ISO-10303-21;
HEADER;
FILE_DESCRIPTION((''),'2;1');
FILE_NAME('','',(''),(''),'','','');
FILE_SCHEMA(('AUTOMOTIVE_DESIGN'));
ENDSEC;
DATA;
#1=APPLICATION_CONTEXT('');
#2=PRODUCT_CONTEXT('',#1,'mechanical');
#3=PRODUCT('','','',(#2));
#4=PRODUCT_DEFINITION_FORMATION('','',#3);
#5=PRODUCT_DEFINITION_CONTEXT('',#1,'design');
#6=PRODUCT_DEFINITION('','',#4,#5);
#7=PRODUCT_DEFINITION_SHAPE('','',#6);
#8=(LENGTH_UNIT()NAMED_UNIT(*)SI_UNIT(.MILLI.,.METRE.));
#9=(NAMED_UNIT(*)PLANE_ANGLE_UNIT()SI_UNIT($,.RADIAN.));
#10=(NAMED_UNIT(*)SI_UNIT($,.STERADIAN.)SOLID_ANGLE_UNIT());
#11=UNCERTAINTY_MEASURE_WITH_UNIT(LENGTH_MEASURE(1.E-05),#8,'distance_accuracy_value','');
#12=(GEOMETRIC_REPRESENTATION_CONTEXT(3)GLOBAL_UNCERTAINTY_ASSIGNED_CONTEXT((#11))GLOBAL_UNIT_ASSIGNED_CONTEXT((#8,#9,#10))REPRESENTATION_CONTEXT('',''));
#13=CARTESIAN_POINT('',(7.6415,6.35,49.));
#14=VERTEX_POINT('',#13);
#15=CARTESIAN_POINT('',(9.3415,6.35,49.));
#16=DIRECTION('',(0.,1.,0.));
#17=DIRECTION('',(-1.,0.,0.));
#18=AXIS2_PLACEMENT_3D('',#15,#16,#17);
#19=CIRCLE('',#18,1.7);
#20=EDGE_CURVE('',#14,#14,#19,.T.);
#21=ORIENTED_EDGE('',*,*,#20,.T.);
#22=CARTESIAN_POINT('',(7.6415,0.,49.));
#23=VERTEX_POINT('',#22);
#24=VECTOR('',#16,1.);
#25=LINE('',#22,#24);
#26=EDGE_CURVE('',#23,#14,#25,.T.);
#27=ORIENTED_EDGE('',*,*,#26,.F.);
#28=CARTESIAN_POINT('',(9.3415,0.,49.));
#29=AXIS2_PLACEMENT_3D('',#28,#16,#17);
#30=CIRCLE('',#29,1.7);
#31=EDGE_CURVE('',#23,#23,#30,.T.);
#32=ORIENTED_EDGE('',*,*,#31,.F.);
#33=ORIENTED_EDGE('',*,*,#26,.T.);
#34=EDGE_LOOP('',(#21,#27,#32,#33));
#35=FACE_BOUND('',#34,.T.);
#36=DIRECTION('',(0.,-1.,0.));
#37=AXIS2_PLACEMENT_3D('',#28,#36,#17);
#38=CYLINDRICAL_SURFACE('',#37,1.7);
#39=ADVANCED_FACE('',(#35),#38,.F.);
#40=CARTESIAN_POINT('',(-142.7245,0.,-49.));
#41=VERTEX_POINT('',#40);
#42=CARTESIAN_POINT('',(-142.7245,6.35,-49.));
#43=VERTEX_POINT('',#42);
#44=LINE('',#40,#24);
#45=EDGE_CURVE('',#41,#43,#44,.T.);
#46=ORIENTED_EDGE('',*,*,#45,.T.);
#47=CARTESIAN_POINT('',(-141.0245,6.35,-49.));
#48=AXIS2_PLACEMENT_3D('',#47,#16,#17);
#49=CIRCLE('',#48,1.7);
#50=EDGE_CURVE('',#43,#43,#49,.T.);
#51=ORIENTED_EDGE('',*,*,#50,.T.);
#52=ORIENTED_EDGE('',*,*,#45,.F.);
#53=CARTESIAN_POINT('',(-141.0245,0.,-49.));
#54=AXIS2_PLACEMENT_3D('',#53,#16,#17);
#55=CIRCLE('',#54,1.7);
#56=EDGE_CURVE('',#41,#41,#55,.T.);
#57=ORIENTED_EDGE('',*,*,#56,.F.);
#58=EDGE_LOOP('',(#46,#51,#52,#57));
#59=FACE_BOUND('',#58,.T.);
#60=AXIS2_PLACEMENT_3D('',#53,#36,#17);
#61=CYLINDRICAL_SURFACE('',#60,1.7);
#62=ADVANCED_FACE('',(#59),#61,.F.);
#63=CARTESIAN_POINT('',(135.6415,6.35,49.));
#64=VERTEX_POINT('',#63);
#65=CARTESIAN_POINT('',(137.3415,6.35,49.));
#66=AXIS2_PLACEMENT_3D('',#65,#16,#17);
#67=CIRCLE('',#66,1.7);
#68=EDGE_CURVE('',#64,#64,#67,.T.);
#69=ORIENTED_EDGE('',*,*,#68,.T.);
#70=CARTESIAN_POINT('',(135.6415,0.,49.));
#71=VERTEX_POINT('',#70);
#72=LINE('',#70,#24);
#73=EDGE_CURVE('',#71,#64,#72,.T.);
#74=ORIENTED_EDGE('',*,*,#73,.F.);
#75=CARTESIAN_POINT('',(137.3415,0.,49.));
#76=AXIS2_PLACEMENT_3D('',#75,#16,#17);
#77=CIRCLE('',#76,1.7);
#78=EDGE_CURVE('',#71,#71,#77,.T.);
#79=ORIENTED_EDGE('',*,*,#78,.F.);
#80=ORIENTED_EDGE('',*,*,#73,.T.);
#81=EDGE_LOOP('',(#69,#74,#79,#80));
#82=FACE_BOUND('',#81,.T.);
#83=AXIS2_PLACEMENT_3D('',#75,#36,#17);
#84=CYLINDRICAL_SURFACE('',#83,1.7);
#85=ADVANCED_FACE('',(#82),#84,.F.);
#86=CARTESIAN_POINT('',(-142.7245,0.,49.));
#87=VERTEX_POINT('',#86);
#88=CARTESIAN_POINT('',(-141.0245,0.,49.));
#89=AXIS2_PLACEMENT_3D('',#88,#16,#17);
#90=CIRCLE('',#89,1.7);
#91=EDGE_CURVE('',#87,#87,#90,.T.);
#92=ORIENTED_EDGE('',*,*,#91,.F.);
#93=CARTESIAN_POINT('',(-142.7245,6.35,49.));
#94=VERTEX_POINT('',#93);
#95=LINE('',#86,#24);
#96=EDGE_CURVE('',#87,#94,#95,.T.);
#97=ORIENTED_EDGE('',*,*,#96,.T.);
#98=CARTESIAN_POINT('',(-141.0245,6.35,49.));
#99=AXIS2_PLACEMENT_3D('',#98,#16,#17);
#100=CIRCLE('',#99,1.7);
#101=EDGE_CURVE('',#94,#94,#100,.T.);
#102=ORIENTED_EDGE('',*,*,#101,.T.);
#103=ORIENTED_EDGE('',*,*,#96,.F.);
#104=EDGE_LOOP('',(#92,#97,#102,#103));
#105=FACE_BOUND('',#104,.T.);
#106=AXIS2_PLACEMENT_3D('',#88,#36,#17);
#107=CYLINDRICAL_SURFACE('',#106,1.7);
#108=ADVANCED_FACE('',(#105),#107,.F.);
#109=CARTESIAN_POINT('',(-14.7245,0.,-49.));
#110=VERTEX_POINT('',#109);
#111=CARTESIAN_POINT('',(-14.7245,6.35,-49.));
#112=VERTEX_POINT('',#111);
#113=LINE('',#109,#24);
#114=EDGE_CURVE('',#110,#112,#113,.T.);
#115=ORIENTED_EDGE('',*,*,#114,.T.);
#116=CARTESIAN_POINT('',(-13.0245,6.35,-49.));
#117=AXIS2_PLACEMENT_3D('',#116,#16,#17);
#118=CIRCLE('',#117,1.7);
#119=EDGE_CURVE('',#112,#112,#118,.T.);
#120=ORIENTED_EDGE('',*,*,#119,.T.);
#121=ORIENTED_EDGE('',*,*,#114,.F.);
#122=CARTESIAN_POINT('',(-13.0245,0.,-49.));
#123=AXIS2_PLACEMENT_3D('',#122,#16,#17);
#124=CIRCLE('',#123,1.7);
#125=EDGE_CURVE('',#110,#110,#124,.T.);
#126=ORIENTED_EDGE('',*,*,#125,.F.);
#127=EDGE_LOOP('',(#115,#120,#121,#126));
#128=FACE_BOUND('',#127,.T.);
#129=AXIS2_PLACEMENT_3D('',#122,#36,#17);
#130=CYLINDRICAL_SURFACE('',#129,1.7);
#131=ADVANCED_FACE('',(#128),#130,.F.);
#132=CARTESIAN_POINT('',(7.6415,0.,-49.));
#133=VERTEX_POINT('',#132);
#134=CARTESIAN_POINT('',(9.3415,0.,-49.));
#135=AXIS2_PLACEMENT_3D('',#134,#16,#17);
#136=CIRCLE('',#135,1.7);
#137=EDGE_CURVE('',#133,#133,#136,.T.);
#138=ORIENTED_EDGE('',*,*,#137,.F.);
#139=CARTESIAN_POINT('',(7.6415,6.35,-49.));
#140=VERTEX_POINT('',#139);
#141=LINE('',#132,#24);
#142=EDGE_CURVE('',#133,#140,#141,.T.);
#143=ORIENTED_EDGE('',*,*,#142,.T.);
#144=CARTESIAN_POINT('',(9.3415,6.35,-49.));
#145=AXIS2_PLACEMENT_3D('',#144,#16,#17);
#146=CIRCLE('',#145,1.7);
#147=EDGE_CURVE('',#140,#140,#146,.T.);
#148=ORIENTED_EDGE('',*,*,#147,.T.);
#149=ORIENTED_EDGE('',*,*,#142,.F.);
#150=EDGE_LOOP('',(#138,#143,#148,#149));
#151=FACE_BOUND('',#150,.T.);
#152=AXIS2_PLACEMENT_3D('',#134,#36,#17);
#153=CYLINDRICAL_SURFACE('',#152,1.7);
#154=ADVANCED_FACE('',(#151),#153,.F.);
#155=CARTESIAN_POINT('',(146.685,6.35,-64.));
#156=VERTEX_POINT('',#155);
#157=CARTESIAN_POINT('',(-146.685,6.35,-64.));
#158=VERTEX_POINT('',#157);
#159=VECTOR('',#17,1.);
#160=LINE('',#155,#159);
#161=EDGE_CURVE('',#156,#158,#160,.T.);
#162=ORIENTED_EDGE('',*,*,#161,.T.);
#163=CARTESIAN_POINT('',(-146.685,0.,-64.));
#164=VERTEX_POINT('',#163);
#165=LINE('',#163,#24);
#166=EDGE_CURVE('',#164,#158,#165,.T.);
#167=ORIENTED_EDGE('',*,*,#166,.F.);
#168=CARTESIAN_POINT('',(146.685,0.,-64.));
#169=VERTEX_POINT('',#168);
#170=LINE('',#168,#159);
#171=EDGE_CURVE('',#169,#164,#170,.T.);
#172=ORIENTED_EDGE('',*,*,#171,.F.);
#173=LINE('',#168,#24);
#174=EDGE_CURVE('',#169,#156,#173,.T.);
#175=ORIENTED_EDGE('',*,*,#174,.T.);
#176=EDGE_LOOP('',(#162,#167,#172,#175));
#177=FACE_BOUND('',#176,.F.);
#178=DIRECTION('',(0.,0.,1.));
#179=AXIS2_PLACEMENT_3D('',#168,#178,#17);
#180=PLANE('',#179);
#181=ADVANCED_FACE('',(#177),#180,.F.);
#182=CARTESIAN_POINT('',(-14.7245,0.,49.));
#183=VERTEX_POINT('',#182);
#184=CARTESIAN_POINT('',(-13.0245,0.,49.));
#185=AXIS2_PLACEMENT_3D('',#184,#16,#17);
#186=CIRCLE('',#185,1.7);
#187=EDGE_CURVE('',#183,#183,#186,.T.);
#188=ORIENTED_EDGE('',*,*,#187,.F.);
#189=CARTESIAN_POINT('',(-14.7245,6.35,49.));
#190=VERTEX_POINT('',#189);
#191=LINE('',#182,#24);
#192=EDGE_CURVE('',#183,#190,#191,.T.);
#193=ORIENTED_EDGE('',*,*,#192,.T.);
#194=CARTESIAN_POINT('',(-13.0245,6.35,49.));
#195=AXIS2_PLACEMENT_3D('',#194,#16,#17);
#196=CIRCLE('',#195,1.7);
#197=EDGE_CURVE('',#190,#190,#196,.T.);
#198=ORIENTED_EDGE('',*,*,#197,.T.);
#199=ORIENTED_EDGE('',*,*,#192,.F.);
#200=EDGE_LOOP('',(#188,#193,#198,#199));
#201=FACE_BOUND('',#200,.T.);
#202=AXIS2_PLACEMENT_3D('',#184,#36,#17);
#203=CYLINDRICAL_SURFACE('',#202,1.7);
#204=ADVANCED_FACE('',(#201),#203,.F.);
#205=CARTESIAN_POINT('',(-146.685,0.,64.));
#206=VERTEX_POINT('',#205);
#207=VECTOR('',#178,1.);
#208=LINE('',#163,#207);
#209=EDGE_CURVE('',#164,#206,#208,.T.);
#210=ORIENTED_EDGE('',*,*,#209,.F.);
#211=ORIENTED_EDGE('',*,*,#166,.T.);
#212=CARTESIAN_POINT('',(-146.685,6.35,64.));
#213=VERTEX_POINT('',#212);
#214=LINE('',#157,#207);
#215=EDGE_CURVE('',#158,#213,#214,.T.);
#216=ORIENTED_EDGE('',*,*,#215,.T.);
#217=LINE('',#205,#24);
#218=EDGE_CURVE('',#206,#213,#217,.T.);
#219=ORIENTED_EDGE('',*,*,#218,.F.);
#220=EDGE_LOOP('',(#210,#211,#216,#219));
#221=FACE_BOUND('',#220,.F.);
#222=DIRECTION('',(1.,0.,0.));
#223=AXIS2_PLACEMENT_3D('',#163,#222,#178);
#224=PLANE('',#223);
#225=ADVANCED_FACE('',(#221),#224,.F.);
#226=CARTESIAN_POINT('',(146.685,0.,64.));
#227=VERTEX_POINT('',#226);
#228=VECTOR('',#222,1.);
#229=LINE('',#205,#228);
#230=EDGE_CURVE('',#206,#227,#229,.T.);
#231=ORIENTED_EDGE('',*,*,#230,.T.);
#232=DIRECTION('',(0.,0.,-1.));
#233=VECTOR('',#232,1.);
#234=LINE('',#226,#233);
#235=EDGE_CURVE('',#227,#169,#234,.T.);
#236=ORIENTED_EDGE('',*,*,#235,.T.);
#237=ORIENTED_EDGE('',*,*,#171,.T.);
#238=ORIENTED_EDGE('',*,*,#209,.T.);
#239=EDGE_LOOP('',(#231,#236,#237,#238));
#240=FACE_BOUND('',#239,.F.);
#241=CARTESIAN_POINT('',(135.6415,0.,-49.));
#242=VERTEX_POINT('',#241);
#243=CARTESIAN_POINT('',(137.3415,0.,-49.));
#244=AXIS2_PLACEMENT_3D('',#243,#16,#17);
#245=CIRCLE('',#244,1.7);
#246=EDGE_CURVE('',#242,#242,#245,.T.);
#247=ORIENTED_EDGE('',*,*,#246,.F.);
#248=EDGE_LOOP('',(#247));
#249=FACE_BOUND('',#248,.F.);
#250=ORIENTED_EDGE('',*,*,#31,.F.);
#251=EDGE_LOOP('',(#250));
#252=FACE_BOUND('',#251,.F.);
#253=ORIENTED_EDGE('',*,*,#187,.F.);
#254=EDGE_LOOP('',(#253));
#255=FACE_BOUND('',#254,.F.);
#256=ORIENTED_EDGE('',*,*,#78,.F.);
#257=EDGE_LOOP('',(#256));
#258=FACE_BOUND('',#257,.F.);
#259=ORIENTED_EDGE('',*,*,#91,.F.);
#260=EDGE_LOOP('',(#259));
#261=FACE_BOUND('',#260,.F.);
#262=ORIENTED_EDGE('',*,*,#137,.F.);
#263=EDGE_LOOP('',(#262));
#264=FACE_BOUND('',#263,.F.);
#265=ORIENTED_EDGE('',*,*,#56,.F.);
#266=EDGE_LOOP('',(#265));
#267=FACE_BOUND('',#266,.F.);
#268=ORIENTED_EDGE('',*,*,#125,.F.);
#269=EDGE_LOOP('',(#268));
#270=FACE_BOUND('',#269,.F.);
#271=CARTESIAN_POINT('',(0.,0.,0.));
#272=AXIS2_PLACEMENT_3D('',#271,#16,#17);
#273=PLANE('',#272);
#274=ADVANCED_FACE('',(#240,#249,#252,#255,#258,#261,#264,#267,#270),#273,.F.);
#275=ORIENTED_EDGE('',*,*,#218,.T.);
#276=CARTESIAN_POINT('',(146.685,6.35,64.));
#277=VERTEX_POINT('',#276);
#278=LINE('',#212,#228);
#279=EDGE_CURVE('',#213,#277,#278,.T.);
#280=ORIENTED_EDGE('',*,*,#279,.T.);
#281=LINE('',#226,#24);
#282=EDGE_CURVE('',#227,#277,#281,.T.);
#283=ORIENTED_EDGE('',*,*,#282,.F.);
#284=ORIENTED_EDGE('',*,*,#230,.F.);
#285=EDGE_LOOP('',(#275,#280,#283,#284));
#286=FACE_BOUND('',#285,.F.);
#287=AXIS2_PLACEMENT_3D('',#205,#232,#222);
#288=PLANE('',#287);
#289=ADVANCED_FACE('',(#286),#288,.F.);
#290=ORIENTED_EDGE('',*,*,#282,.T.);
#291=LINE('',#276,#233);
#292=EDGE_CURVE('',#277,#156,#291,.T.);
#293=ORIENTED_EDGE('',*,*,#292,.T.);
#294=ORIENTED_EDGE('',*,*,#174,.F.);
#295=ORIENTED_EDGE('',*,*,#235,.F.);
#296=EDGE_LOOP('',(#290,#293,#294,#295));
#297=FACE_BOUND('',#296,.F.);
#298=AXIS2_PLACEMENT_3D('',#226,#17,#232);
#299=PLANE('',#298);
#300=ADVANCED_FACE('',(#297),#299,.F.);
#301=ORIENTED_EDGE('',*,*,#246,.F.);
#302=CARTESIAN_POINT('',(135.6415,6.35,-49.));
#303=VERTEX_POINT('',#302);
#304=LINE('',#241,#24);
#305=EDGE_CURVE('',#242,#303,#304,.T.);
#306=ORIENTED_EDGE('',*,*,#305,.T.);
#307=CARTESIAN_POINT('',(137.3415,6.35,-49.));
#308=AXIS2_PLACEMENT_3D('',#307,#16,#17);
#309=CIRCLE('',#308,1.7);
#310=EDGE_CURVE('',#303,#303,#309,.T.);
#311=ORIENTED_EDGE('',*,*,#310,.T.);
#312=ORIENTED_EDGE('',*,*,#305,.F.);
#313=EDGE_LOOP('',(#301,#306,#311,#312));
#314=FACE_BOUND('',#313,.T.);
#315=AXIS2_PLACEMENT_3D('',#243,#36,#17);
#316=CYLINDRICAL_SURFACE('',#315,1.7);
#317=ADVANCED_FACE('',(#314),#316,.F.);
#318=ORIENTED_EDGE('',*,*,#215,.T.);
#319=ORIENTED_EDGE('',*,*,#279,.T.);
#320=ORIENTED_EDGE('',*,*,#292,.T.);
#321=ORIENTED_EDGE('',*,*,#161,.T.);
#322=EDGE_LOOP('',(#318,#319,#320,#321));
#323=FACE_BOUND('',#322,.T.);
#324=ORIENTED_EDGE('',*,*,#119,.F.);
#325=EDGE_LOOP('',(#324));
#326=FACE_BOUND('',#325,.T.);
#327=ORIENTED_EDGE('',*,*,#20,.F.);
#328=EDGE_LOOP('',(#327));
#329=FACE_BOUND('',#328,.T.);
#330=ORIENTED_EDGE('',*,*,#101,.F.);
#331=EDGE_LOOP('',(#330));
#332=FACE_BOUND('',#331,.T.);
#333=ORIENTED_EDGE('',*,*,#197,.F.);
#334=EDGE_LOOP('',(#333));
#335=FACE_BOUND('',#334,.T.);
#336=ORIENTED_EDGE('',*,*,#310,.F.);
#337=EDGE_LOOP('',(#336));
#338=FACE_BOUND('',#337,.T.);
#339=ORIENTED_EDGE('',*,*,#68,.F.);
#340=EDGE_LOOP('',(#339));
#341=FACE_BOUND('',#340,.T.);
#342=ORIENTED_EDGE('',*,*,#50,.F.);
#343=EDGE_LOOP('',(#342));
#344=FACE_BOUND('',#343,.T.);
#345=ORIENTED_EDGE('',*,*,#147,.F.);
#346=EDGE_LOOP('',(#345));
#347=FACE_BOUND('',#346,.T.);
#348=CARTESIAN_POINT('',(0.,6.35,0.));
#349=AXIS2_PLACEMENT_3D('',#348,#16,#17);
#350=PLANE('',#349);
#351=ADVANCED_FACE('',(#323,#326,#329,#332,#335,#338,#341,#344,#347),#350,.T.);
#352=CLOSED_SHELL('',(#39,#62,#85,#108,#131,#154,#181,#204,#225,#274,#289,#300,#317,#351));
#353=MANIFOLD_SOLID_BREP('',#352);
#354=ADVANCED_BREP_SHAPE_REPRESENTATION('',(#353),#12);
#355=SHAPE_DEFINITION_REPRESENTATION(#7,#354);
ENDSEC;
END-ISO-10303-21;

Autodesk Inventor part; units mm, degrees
ref_plane "YZ Plane" through (0, 0, 0) normal (1, 0, 0) x (0, 1, 0)
ref_plane "XZ Plane" through (0, 0, 0) normal (0, 1, 0) x (-1, 0, 0)
ref_plane "XY Plane" through (0, 0, 0) normal (0, 0, 1) x (1, 0, 0)
sketch "Sketch1" plane through (0, 0, 0) normal (0, 1, 0) x (-1, 0, 0)
  line L0 (146.685, 64) -> (-146.685, 64)
  line L1 (-146.685, 64) -> (-146.685, -64)
  line L2 (-146.685, -64) -> (146.685, -64)
  line L3 (146.685, -64) -> (146.685, 64)
  line L4 (146.685, 64) -> (-146.685, -64) construction
  line L5 (-146.685, 64) -> (146.685, -64) construction
  line L6 (0, 0) -> (1.8415, 0) construction
  line L7 (144.8415, 0) -> (144.8415, -44) construction
  line L8 (144.8415, -44) -> (1.8415, -44) construction
  line L9 (1.8415, -44) -> (1.8415, 0) construction
  line L10 (144.8415, 0) -> (144.8415, 44) construction
  line L11 (144.8415, 44) -> (1.8415, 44) construction
  line L12 (1.8415, 44) -> (1.8415, 0) construction
  line L13 (-146.685, 64) -> (146.685, -64) construction
  line L14 (-144.8415, 0) -> (-144.8415, 51.5) construction
  line L15 (-144.8415, 51.5) -> (-1.8415, 51.5) construction
  line L16 (-1.8415, 51.5) -> (-1.8415, 0) construction
  line L17 (144.8415, -44) -> (137.3415, -44) construction
  line L18 (137.3415, -41.5) -> (144.8415, -41.5) construction
  line L19 (144.8415, -41.5) -> (144.8415, -44) construction
  line L20 (1.8415, -44) -> (9.3415, -44) construction
  line L21 (9.3415, -41.5) -> (1.8415, -41.5) construction
  line L22 (-1.8415, 0) -> (-144.8415, 0) construction
  line L23 (-144.8415, 0) -> (-144.8415, -51.5) construction
  line L24 (-144.8415, -51.5) -> (-1.8415, -51.5) construction
  line L25 (-1.8415, -51.5) -> (-1.8415, 0) construction
  line L26 (-1.8415, 51.5) -> (-9.3415, 51.5) construction
  line L27 (-9.3415, 51.5) -> (-9.3415, 49) construction
  line L28 (-9.3415, 49) -> (-1.8415, 49) construction
  line L29 (-1.8415, 49) -> (-1.8415, 51.5) construction
  circle A0 centre (-9.3415, 49) radius 1.7
  line L30 (-144.8415, 51.5) -> (-137.3415, 51.5) construction
  line L31 (-137.3415, 51.5) -> (-137.3415, 49) construction
  line L32 (-137.3415, 49) -> (-144.8415, 49) construction
  line L33 (-144.8415, 49) -> (-144.8415, 51.5) construction
  circle A1 centre (-137.3415, 49) radius 1.7
  circle A2 centre (-9.3415, -49) radius 1.7
  circle A3 centre (-137.3415, -49) radius 1.7
  circle A4 centre (13.0245, 49) radius 1.7
  circle A5 centre (141.0245, 49) radius 1.7
  circle A6 centre (13.0245, -49) radius 1.7
  circle A7 centre (141.0245, -49) radius 1.7
  dimension "d0" = 293.37
  dimension "d1" = 128
  dimension "d2" = 1.8415
  dimension "d3" = 143
  dimension "d4" = 44
  dimension "d5" = 7.5
  dimension "d8" = 7.5
  dimension "d14" = 51.5
  dimension "d15" = 143
  dimension "d16" = 51.5
  dimension "d17" = 7.5
  dimension "d18" = 2.5
  dimension "d19" = 3.4
  dimension "d20" = 7.5
  dimension "d21" = 2.5
  dimension "d22" = 3.4
extrude "Extrusion2" add sketch "Sketch1" along normal blind 6.35
properties part number "4326electronicsboard"
